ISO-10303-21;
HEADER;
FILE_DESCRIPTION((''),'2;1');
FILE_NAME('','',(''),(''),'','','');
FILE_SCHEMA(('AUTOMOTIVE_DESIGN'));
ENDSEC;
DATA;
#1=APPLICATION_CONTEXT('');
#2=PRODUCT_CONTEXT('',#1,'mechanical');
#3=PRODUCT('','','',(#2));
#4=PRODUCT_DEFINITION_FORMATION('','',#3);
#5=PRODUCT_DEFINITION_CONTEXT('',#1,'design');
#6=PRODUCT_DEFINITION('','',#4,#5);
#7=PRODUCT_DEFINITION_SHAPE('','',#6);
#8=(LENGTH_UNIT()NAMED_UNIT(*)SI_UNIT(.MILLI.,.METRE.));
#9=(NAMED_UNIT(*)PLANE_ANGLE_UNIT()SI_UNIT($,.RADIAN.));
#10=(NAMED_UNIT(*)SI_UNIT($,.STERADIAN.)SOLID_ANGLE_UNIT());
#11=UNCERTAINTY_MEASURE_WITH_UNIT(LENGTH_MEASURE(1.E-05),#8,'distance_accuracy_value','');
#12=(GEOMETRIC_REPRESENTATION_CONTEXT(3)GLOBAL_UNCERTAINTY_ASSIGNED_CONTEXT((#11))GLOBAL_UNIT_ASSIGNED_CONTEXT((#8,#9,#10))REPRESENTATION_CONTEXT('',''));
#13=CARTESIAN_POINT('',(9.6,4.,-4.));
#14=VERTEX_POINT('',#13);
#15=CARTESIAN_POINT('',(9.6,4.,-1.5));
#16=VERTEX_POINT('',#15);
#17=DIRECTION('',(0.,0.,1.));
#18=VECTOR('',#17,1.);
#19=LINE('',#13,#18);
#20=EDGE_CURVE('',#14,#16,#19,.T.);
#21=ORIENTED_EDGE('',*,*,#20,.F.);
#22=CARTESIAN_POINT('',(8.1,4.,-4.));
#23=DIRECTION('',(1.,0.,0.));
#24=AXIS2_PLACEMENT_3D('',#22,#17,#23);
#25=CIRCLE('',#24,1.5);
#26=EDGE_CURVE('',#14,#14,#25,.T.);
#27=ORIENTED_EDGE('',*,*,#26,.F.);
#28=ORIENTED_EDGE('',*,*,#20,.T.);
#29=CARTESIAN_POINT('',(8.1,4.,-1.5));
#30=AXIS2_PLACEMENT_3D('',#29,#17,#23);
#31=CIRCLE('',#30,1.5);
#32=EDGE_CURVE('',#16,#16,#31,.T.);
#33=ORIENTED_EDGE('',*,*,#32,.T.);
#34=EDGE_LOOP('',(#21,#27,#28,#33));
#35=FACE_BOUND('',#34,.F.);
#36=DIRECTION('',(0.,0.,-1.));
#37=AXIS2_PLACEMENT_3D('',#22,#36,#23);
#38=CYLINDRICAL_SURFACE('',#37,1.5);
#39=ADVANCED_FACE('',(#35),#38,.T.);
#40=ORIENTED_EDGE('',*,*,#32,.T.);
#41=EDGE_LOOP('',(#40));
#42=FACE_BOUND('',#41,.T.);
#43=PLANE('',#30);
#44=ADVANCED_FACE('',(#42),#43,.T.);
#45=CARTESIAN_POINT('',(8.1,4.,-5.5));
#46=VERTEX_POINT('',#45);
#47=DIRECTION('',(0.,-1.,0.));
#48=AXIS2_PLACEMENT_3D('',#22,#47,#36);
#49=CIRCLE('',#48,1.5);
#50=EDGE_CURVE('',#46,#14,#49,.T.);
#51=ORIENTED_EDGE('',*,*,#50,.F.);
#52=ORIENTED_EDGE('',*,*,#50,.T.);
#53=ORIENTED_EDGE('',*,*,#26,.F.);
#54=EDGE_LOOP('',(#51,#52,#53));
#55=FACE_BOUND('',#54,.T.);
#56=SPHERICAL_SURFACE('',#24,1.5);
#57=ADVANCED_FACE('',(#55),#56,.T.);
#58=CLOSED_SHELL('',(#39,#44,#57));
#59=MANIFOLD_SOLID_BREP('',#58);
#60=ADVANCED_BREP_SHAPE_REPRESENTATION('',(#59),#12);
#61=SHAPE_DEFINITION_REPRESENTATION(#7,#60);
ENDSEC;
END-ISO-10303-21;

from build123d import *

# Parameters (mm, degrees)
CYLINDER001_R     = 1.5
CYLINDER001_DEPTH = 2.5


with BuildPart() as cilindro001:
    # Cylinder001 → Cylinder001 (new body)
    with BuildSketch(Plane.XY):
        Circle(CYLINDER001_R)
    extrude(amount=CYLINDER001_DEPTH)


with BuildPart() as led_ir:
    # Sphere → Sphere (revolve)
    with BuildSketch(Plane.XZ):
        with BuildLine():
            ThreePointArc((0, -1.5), (1.5, 0), (0, 1.5))
            Line((0, 1.5), (0, -1.5))
        make_face()
    revolve(axis=Axis((0, 0, 0), (0, 0, 1)))

    # Fusion002: union Cilindro001
    add(cilindro001.part)


with BuildPart() as led_ir_1:
    # Fusion002 placement: moved
    add(led_ir.part.moved(Location((8.1, 4, -4))))


solid = led_ir_1.part
